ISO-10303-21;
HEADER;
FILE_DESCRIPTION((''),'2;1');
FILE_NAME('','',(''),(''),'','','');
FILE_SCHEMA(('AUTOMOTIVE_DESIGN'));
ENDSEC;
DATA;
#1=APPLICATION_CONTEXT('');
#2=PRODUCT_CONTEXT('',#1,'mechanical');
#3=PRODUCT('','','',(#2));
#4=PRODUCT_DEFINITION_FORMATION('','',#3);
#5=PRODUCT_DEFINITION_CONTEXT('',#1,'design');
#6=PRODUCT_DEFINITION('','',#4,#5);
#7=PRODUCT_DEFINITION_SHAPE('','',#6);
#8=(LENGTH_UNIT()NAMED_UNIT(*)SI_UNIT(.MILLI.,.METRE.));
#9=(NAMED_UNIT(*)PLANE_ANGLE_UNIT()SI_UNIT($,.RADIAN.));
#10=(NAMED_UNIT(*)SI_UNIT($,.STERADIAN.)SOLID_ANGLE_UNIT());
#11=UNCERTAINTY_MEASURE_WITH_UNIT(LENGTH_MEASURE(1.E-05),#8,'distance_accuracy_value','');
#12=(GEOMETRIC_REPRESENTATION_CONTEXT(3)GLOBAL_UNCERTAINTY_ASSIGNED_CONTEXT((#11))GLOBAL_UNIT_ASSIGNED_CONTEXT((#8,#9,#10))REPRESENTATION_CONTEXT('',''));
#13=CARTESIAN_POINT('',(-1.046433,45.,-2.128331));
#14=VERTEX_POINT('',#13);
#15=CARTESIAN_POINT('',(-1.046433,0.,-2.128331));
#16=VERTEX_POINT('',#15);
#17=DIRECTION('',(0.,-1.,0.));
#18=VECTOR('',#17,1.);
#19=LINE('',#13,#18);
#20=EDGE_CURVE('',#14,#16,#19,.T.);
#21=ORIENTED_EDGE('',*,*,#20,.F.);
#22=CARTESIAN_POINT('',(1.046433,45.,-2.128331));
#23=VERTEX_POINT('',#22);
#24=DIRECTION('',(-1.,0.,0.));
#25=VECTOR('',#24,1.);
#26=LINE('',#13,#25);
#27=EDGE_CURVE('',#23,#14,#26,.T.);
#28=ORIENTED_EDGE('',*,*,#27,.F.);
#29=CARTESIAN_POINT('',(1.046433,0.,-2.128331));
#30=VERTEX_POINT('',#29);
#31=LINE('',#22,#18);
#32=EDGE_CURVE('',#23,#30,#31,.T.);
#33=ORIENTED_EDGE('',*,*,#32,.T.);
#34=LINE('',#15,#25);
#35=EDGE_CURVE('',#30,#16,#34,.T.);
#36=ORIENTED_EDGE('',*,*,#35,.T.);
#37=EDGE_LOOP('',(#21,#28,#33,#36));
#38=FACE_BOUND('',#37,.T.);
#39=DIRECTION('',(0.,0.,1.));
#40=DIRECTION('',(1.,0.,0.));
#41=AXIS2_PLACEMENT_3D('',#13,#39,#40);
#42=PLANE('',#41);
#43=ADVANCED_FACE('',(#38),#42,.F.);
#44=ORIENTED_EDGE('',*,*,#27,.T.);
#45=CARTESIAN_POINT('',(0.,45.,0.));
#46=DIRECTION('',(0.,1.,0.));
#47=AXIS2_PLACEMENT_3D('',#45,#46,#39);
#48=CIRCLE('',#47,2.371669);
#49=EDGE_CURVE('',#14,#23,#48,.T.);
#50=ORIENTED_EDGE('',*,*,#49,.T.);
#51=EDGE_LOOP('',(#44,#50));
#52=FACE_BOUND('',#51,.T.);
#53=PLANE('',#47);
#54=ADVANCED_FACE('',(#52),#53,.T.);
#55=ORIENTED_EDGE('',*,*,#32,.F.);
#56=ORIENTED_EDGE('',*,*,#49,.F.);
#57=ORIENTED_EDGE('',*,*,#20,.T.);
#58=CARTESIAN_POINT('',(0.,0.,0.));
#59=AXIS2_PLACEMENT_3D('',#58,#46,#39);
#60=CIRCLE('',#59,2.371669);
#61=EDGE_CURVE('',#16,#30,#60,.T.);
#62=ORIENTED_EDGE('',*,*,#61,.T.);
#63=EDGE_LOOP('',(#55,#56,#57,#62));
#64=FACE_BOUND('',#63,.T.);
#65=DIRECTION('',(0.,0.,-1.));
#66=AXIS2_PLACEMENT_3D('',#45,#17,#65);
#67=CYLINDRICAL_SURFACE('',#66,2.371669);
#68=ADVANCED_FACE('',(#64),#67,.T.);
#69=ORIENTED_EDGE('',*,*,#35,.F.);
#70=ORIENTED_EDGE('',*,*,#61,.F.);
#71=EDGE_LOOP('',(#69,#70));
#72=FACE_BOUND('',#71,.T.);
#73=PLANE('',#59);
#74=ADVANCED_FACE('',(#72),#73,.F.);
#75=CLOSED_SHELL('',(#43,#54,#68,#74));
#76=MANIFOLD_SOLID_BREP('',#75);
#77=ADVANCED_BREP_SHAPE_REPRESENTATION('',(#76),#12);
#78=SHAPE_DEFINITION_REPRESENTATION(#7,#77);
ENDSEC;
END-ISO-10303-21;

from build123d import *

# Parameters (mm, degrees)
BOSS_EXTRUDE1_DEPTH = 45


with BuildPart() as part:
    # Sketch1 → Boss-Extrude1 (new body)
    with BuildSketch(Plane(origin=(0, 0, 0), x_dir=(1, 0, 0), z_dir=(0, 1, 0))):
        with BuildLine():
            Line((-1.046432694, 2.128330957), (1.046432694, 2.128330957))
            ThreePointArc((1.046432694, 2.128330957), (0, -2.371669043), (-1.046432694, 2.128330957))
        make_face()
    extrude(amount=BOSS_EXTRUDE1_DEPTH)


solid = part.part
